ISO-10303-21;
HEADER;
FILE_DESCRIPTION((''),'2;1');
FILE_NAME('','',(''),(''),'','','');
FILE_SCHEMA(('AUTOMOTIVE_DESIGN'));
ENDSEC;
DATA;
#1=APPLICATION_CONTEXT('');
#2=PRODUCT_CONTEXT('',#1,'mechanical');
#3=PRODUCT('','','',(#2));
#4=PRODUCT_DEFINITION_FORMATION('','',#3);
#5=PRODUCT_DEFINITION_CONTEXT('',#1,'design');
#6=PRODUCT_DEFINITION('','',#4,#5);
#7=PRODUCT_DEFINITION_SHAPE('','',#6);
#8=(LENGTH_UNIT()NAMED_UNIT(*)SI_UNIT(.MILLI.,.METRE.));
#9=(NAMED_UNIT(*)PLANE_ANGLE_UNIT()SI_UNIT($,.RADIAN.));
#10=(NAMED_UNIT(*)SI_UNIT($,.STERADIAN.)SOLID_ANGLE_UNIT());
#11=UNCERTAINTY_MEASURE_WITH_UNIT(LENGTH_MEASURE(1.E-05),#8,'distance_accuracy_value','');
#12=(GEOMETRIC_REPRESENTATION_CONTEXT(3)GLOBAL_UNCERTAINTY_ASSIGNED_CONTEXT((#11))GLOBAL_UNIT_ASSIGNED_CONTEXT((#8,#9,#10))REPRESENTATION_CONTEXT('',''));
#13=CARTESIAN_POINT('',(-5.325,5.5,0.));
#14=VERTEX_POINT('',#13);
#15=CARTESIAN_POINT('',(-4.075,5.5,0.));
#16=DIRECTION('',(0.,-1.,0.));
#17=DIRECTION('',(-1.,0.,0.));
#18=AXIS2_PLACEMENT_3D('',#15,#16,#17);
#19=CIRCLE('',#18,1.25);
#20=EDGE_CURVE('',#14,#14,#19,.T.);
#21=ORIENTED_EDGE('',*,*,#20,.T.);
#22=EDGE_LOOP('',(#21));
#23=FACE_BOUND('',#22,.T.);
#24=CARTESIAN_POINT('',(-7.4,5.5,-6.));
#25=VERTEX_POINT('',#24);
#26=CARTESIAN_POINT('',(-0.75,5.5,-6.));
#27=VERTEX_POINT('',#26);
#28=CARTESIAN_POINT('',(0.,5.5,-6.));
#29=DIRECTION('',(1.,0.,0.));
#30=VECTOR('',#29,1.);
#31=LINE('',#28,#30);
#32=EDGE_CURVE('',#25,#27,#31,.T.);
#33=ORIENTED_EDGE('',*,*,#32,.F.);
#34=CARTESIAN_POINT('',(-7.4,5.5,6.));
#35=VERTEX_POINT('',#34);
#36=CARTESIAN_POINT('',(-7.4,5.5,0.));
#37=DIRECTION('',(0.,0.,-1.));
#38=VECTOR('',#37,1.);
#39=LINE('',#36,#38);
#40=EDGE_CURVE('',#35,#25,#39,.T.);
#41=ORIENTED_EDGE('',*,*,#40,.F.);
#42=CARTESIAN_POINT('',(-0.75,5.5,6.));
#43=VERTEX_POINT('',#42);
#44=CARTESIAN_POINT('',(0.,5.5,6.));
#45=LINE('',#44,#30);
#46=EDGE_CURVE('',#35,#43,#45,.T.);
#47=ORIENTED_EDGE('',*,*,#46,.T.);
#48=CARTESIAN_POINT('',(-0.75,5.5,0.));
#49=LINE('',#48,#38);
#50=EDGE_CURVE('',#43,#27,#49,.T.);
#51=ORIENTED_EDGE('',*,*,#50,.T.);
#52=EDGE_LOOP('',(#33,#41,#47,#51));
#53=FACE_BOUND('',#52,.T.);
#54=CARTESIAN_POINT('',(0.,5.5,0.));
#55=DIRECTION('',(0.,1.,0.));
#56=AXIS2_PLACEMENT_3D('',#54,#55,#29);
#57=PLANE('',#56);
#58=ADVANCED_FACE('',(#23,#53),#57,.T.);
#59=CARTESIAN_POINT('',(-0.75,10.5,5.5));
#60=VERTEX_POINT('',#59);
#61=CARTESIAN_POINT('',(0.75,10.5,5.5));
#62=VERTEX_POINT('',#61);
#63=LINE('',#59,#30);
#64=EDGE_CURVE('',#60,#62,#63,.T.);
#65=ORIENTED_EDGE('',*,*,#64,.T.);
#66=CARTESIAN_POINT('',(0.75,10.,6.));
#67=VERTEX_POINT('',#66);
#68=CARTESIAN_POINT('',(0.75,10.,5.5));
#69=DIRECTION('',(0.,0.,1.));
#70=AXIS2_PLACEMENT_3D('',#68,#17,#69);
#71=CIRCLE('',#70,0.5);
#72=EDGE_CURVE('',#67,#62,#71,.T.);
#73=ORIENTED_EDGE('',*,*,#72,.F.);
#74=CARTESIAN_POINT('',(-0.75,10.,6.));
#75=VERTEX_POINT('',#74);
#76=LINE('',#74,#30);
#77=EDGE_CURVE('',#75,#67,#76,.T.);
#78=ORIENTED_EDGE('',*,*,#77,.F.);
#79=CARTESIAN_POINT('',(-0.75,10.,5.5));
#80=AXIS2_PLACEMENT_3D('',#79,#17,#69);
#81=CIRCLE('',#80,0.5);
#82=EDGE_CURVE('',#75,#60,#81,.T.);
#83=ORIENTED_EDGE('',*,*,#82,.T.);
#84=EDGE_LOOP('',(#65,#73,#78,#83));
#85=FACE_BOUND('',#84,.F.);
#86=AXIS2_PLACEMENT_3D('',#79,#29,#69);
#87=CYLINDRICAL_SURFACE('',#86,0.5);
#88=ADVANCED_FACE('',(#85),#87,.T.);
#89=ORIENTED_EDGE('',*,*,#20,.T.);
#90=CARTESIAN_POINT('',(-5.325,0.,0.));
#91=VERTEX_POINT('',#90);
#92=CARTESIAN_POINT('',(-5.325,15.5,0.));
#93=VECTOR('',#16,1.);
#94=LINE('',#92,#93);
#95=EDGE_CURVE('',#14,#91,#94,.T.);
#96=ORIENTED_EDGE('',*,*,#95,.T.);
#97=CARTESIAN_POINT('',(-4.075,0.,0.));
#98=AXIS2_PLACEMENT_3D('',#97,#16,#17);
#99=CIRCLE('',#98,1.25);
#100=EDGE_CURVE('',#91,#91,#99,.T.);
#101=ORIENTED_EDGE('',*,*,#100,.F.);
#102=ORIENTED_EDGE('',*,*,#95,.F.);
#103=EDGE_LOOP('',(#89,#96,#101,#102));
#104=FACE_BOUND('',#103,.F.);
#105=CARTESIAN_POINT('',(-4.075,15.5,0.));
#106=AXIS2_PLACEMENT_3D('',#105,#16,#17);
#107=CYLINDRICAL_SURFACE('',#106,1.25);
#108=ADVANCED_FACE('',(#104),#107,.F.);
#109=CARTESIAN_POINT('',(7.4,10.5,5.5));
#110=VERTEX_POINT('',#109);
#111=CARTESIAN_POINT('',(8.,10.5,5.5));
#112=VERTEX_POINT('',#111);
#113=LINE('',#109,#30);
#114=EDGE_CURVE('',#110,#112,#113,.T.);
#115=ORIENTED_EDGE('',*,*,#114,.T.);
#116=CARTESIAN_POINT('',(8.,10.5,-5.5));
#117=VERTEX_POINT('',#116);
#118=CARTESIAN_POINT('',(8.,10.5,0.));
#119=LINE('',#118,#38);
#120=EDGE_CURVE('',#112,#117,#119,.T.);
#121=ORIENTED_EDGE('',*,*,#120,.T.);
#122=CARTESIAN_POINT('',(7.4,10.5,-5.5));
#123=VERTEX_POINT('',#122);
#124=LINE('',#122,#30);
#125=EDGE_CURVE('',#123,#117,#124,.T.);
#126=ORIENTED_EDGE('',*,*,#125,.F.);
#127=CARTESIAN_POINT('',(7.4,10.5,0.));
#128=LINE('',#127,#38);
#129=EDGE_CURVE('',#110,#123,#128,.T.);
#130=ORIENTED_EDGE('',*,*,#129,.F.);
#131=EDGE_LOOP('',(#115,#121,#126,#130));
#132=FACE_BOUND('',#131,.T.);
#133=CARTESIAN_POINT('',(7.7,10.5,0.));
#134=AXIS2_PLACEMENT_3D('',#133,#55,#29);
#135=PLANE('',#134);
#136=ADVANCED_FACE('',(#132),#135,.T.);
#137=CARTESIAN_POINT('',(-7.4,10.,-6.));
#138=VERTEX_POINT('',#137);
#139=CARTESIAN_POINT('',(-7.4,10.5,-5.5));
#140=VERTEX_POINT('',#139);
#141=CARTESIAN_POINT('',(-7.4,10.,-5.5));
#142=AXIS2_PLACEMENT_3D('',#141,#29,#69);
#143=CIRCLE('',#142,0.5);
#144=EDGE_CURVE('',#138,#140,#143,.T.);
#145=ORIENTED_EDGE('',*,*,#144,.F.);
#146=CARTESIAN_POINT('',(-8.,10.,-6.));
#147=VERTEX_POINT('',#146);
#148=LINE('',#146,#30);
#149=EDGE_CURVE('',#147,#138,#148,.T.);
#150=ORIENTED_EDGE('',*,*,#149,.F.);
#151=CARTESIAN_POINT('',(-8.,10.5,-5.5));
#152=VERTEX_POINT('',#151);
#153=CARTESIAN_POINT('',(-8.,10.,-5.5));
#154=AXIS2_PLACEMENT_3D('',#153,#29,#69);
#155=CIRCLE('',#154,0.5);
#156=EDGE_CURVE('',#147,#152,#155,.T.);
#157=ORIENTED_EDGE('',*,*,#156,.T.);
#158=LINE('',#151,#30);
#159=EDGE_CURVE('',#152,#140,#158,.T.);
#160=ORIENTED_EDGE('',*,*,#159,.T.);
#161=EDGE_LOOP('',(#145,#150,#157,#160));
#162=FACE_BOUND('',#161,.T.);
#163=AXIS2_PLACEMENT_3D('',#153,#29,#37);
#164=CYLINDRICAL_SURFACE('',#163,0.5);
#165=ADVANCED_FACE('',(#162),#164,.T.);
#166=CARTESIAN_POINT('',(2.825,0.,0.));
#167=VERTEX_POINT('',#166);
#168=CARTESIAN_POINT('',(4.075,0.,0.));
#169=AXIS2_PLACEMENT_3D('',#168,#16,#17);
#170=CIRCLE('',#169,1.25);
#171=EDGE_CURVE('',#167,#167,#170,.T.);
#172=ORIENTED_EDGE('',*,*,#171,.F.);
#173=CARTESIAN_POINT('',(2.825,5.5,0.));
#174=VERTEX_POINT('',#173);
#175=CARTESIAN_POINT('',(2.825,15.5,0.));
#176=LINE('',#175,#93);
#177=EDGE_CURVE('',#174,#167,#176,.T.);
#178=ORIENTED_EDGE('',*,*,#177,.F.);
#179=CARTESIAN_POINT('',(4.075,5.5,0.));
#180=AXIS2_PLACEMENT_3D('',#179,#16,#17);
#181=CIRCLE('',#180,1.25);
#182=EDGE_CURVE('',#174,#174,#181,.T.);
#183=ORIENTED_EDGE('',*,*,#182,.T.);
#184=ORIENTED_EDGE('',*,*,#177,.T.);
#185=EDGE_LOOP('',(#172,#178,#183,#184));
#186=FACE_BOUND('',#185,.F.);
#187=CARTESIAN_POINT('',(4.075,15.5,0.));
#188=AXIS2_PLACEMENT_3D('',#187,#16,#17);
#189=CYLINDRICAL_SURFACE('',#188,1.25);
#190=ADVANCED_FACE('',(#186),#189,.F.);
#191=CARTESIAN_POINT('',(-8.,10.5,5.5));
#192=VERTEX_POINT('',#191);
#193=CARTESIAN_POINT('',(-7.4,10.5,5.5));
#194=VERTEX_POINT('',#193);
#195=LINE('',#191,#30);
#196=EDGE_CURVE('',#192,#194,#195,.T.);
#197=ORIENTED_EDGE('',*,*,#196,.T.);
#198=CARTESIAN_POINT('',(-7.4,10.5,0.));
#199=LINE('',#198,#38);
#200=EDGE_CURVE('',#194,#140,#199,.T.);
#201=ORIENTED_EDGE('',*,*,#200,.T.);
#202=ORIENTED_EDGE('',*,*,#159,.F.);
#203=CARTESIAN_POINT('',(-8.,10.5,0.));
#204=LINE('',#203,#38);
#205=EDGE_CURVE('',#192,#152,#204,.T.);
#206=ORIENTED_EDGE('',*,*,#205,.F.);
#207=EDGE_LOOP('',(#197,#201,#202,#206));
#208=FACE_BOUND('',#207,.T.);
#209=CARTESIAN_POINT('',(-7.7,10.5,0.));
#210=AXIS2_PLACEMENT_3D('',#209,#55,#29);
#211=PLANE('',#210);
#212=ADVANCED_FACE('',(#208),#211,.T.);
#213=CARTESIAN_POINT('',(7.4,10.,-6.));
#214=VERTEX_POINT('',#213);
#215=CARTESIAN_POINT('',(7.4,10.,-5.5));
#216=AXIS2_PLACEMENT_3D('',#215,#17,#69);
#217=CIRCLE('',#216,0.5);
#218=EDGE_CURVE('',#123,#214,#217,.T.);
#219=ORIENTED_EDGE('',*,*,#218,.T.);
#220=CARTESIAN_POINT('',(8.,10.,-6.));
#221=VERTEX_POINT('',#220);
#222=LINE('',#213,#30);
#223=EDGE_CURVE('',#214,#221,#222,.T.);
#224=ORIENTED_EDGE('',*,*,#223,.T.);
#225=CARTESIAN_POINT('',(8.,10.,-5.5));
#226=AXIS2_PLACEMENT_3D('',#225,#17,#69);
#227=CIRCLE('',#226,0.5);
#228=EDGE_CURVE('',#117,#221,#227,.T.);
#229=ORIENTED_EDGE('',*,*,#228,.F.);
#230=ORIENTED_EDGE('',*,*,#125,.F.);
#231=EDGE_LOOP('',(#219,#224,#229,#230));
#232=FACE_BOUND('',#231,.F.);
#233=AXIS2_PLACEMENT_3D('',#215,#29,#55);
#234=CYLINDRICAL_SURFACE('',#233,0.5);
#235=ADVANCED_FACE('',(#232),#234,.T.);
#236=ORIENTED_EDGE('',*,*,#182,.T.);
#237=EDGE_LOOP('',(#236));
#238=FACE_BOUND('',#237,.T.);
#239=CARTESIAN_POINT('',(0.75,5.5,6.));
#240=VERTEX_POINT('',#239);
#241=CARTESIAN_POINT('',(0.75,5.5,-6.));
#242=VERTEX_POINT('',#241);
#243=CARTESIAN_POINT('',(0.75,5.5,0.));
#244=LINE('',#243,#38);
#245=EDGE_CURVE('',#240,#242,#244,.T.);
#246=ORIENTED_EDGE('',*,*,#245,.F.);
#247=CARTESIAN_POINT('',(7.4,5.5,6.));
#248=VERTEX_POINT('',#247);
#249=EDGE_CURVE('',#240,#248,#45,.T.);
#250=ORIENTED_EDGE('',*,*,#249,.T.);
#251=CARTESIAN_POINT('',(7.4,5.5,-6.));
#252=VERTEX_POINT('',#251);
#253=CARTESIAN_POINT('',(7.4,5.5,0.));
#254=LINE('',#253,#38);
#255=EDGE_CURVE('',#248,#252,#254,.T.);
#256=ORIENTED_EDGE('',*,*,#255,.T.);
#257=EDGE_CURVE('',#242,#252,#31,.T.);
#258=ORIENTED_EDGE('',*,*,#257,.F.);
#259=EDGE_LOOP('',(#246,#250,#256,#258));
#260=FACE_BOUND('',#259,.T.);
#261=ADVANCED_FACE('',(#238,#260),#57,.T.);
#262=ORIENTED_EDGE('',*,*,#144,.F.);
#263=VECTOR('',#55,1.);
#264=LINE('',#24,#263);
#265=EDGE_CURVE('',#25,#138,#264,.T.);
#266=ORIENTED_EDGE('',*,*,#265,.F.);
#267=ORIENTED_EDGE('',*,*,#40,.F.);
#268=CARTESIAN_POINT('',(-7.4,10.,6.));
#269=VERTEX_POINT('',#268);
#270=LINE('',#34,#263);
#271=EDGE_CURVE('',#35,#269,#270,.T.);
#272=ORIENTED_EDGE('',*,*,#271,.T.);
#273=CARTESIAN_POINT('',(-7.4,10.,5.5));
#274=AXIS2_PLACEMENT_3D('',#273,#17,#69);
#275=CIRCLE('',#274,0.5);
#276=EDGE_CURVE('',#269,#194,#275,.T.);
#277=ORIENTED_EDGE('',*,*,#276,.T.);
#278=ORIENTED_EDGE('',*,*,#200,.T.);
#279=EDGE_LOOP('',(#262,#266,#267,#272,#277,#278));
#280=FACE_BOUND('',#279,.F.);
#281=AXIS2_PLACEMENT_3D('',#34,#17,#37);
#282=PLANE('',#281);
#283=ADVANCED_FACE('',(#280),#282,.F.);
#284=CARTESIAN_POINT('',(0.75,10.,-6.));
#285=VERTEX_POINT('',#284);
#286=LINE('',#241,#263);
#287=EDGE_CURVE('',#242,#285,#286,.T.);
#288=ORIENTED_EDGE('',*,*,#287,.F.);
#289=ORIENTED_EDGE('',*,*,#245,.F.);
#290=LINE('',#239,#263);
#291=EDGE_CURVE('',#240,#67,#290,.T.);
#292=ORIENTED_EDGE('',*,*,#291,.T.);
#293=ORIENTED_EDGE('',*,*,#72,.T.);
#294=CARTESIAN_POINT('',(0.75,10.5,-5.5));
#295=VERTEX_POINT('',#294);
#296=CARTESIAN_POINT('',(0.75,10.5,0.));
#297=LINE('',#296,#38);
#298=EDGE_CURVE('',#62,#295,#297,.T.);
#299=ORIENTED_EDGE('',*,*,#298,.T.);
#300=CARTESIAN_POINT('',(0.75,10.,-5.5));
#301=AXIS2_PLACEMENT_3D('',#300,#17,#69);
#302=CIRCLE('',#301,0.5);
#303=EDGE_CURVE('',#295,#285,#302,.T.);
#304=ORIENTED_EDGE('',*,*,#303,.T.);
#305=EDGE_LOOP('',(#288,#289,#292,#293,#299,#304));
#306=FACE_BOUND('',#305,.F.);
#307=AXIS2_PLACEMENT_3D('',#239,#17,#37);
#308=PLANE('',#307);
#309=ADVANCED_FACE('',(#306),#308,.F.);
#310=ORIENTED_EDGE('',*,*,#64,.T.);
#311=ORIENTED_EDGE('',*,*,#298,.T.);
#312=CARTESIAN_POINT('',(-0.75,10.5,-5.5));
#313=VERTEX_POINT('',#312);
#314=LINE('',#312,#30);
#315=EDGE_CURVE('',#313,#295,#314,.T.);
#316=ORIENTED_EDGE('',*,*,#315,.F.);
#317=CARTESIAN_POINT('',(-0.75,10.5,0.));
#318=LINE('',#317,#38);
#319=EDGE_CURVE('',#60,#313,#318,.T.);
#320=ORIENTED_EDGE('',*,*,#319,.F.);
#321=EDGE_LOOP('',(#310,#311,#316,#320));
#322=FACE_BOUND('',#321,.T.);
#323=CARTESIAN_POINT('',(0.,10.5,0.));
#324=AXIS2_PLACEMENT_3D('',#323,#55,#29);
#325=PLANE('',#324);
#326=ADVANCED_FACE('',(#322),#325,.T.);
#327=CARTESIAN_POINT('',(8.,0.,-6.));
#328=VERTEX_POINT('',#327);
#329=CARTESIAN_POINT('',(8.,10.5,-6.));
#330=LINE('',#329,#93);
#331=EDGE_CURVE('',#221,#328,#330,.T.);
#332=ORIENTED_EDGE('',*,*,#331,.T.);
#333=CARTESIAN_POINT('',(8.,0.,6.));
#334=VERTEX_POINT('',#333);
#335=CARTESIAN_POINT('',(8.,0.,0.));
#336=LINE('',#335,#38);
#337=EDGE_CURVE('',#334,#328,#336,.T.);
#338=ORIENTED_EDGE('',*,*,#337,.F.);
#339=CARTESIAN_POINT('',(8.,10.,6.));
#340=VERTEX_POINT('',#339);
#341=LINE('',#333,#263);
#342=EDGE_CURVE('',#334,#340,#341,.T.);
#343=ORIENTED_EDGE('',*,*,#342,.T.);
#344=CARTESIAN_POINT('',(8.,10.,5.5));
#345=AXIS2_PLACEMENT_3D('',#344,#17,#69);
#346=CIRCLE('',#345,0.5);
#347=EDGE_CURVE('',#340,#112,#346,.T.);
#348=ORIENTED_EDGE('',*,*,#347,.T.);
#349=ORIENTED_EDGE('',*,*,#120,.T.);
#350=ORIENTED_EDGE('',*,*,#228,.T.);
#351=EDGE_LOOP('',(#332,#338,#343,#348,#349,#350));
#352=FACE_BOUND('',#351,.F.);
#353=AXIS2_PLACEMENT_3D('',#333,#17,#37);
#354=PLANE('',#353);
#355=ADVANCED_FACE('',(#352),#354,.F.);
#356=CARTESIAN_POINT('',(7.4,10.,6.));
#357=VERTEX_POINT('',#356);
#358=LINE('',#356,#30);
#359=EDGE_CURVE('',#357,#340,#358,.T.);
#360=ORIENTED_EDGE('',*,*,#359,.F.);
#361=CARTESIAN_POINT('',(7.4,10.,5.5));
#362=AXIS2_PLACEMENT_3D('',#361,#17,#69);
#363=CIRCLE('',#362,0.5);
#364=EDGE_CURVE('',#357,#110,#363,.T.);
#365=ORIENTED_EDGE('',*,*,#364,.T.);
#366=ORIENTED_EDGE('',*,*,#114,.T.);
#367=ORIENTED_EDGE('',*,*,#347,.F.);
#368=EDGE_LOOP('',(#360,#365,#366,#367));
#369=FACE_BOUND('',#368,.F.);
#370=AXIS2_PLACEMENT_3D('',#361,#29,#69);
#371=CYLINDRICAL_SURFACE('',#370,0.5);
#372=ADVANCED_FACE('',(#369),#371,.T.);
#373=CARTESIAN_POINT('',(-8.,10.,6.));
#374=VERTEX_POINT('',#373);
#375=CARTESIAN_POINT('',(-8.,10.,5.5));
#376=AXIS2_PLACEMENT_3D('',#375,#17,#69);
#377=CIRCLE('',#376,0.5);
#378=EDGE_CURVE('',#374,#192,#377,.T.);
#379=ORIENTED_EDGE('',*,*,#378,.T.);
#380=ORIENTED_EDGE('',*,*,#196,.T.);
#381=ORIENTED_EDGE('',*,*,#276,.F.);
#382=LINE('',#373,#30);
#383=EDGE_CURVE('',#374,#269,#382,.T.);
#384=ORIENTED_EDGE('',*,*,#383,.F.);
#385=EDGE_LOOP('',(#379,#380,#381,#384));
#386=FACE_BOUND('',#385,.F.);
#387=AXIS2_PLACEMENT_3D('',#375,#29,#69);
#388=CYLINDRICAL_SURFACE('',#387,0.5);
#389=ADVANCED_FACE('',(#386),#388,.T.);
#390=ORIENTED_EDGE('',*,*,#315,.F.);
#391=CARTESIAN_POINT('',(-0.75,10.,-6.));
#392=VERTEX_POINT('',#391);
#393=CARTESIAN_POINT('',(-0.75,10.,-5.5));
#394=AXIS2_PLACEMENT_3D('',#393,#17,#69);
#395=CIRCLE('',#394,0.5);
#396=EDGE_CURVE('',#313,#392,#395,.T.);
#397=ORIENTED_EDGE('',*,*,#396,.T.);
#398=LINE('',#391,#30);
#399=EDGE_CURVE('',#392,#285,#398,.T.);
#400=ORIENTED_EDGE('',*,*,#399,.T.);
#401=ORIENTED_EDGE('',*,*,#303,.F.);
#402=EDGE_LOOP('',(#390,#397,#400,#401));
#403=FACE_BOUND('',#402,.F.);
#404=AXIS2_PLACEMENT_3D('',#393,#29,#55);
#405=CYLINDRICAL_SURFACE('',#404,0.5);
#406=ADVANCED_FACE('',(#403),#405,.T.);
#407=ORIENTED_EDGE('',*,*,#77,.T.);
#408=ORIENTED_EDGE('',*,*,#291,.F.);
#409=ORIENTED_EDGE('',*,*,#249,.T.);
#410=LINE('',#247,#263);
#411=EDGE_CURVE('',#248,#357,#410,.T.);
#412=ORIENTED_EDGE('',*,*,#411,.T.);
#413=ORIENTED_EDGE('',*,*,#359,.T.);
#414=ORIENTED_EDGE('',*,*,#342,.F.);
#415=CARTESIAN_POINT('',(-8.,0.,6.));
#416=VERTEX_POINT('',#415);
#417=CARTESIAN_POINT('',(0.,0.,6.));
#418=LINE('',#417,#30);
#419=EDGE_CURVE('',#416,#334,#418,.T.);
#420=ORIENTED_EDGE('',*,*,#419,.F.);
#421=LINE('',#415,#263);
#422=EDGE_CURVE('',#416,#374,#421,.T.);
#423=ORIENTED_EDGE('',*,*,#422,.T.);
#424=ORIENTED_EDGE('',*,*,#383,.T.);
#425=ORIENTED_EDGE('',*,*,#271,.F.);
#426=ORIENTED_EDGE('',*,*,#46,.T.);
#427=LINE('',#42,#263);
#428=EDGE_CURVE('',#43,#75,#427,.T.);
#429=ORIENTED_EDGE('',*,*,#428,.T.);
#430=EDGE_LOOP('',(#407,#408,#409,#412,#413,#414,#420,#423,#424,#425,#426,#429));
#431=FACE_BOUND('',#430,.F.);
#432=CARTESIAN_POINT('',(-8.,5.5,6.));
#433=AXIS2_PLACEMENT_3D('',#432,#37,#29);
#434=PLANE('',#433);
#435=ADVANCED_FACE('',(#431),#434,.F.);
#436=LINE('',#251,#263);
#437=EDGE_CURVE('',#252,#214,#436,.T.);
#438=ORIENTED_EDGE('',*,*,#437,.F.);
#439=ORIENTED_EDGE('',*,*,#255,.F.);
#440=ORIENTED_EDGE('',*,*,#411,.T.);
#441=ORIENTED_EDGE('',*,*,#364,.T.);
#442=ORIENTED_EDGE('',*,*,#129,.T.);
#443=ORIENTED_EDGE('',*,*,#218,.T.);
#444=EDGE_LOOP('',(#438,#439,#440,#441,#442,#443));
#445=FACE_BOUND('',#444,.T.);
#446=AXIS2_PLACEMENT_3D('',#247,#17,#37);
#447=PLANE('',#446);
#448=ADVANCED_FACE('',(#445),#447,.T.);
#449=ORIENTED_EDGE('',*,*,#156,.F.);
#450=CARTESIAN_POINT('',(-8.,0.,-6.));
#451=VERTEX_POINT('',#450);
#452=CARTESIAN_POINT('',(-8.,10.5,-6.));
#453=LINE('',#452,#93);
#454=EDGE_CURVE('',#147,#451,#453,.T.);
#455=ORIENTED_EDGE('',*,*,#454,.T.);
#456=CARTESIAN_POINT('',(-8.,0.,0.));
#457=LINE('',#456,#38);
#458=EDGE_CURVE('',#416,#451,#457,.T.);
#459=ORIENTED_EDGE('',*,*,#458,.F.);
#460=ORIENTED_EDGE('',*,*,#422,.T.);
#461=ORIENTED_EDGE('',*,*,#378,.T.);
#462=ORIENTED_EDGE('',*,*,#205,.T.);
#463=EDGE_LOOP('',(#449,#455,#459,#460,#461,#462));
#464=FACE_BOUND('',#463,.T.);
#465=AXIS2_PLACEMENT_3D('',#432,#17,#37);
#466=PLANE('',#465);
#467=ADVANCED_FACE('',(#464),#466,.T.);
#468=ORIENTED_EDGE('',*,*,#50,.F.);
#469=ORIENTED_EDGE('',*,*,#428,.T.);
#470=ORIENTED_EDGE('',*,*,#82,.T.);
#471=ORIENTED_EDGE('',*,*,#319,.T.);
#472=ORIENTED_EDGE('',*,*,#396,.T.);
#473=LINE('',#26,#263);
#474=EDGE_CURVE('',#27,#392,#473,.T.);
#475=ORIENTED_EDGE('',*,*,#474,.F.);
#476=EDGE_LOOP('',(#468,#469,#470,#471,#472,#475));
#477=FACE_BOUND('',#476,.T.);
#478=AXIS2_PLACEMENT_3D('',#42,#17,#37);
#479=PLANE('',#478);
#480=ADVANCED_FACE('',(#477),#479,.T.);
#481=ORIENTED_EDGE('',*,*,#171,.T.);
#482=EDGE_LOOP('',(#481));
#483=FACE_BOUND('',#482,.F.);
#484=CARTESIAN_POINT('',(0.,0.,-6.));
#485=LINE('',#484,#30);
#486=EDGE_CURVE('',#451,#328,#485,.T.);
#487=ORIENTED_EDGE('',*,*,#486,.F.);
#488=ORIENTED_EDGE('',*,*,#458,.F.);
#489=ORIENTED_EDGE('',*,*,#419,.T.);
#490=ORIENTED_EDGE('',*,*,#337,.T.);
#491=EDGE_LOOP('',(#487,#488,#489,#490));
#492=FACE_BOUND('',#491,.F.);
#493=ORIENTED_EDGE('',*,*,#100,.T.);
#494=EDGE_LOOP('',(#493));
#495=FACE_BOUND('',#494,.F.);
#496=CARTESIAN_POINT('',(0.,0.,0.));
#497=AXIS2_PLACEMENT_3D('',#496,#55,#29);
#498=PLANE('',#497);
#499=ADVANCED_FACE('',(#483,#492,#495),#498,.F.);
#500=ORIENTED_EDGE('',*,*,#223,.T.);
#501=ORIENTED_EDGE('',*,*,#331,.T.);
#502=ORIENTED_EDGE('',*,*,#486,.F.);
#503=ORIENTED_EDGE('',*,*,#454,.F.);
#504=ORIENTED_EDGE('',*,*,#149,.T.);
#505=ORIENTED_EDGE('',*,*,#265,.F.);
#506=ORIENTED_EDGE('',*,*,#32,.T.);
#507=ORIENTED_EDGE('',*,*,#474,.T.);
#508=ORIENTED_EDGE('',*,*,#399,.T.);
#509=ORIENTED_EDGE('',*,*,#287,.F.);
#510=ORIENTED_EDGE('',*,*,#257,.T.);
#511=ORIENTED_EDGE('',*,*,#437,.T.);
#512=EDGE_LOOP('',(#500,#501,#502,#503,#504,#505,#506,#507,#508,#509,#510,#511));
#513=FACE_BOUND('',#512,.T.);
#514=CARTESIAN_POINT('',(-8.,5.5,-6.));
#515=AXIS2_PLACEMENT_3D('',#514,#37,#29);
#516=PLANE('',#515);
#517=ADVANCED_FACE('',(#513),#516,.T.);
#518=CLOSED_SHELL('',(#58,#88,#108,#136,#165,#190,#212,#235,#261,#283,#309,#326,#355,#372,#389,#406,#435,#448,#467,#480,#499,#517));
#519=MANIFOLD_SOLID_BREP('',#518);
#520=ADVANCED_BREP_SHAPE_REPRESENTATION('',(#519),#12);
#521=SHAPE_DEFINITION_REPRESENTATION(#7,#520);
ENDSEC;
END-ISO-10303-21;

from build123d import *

# Parameters (mm, degrees)
SKETCH1_W             = 16
SKETCH1_H             = 12
BOSS_EXTRUDE1_DEPTH   = 5.5
SKETCH2_W             = 0.6
SKETCH2_H             = 12
SKETCH2_W_2           = 1.5
BOSS_EXTRUDE2_DEPTH   = 5
FILLET1_R             = 0.5
M3_TAPPED_HOLE1_D     = 2.5
M3_TAPPED_HOLE1_DEPTH = 10
M3_TAPPED_HOLE1_TIP   = 0.751075774


with BuildPart() as part:
    # Sketch1 → Boss-Extrude1 (new body)
    with BuildSketch(Plane(origin=(0, 0, 0), x_dir=(1, 0, 0), z_dir=(0, 1, 0))):
        Rectangle(SKETCH1_W, SKETCH1_H)
    extrude(amount=BOSS_EXTRUDE1_DEPTH)

    # Sketch2 → Boss-Extrude2 (add)
    with BuildSketch(Plane(origin=(0, 5.5, 0), x_dir=(1, 0, 0), z_dir=(0, 1, 0))):
        with Locations((-7.7, 0)):
            Rectangle(SKETCH2_W, SKETCH2_H)
        with Locations((7.7, 0)):
            Rectangle(SKETCH2_W, SKETCH2_H)
        Rectangle(SKETCH2_W_2, SKETCH2_H)
    extrude(amount=BOSS_EXTRUDE2_DEPTH)

    # Fillet1
    fillet1_edges = [part.edges().sort_by_distance(p)[0] for p in [
        (-7.7, 10.5, 6),
        (-7.7, 10.5, -6),
        (7.7, 10.5, -6),
        (7.7, 10.5, 6),
        (0, 10.5, 6),
        (0, 10.5, -6),
    ]]
    fillet(fillet1_edges, radius=FILLET1_R)

    # M3 Tapped Hole1
    with Locations(Plane(origin=(0, 5.5, 0), x_dir=(1, 0, 0), z_dir=(0, 1, 0))):
        with Locations((-4.075, 0), (4.075, 0)):
            Hole(M3_TAPPED_HOLE1_D / 2, depth=M3_TAPPED_HOLE1_DEPTH)
            with Locations((0, 0, -(M3_TAPPED_HOLE1_DEPTH + M3_TAPPED_HOLE1_TIP / 2))):  # 118° drill point
                Cone(0, M3_TAPPED_HOLE1_D / 2, M3_TAPPED_HOLE1_TIP, mode=Mode.SUBTRACT)


solid = part.part
